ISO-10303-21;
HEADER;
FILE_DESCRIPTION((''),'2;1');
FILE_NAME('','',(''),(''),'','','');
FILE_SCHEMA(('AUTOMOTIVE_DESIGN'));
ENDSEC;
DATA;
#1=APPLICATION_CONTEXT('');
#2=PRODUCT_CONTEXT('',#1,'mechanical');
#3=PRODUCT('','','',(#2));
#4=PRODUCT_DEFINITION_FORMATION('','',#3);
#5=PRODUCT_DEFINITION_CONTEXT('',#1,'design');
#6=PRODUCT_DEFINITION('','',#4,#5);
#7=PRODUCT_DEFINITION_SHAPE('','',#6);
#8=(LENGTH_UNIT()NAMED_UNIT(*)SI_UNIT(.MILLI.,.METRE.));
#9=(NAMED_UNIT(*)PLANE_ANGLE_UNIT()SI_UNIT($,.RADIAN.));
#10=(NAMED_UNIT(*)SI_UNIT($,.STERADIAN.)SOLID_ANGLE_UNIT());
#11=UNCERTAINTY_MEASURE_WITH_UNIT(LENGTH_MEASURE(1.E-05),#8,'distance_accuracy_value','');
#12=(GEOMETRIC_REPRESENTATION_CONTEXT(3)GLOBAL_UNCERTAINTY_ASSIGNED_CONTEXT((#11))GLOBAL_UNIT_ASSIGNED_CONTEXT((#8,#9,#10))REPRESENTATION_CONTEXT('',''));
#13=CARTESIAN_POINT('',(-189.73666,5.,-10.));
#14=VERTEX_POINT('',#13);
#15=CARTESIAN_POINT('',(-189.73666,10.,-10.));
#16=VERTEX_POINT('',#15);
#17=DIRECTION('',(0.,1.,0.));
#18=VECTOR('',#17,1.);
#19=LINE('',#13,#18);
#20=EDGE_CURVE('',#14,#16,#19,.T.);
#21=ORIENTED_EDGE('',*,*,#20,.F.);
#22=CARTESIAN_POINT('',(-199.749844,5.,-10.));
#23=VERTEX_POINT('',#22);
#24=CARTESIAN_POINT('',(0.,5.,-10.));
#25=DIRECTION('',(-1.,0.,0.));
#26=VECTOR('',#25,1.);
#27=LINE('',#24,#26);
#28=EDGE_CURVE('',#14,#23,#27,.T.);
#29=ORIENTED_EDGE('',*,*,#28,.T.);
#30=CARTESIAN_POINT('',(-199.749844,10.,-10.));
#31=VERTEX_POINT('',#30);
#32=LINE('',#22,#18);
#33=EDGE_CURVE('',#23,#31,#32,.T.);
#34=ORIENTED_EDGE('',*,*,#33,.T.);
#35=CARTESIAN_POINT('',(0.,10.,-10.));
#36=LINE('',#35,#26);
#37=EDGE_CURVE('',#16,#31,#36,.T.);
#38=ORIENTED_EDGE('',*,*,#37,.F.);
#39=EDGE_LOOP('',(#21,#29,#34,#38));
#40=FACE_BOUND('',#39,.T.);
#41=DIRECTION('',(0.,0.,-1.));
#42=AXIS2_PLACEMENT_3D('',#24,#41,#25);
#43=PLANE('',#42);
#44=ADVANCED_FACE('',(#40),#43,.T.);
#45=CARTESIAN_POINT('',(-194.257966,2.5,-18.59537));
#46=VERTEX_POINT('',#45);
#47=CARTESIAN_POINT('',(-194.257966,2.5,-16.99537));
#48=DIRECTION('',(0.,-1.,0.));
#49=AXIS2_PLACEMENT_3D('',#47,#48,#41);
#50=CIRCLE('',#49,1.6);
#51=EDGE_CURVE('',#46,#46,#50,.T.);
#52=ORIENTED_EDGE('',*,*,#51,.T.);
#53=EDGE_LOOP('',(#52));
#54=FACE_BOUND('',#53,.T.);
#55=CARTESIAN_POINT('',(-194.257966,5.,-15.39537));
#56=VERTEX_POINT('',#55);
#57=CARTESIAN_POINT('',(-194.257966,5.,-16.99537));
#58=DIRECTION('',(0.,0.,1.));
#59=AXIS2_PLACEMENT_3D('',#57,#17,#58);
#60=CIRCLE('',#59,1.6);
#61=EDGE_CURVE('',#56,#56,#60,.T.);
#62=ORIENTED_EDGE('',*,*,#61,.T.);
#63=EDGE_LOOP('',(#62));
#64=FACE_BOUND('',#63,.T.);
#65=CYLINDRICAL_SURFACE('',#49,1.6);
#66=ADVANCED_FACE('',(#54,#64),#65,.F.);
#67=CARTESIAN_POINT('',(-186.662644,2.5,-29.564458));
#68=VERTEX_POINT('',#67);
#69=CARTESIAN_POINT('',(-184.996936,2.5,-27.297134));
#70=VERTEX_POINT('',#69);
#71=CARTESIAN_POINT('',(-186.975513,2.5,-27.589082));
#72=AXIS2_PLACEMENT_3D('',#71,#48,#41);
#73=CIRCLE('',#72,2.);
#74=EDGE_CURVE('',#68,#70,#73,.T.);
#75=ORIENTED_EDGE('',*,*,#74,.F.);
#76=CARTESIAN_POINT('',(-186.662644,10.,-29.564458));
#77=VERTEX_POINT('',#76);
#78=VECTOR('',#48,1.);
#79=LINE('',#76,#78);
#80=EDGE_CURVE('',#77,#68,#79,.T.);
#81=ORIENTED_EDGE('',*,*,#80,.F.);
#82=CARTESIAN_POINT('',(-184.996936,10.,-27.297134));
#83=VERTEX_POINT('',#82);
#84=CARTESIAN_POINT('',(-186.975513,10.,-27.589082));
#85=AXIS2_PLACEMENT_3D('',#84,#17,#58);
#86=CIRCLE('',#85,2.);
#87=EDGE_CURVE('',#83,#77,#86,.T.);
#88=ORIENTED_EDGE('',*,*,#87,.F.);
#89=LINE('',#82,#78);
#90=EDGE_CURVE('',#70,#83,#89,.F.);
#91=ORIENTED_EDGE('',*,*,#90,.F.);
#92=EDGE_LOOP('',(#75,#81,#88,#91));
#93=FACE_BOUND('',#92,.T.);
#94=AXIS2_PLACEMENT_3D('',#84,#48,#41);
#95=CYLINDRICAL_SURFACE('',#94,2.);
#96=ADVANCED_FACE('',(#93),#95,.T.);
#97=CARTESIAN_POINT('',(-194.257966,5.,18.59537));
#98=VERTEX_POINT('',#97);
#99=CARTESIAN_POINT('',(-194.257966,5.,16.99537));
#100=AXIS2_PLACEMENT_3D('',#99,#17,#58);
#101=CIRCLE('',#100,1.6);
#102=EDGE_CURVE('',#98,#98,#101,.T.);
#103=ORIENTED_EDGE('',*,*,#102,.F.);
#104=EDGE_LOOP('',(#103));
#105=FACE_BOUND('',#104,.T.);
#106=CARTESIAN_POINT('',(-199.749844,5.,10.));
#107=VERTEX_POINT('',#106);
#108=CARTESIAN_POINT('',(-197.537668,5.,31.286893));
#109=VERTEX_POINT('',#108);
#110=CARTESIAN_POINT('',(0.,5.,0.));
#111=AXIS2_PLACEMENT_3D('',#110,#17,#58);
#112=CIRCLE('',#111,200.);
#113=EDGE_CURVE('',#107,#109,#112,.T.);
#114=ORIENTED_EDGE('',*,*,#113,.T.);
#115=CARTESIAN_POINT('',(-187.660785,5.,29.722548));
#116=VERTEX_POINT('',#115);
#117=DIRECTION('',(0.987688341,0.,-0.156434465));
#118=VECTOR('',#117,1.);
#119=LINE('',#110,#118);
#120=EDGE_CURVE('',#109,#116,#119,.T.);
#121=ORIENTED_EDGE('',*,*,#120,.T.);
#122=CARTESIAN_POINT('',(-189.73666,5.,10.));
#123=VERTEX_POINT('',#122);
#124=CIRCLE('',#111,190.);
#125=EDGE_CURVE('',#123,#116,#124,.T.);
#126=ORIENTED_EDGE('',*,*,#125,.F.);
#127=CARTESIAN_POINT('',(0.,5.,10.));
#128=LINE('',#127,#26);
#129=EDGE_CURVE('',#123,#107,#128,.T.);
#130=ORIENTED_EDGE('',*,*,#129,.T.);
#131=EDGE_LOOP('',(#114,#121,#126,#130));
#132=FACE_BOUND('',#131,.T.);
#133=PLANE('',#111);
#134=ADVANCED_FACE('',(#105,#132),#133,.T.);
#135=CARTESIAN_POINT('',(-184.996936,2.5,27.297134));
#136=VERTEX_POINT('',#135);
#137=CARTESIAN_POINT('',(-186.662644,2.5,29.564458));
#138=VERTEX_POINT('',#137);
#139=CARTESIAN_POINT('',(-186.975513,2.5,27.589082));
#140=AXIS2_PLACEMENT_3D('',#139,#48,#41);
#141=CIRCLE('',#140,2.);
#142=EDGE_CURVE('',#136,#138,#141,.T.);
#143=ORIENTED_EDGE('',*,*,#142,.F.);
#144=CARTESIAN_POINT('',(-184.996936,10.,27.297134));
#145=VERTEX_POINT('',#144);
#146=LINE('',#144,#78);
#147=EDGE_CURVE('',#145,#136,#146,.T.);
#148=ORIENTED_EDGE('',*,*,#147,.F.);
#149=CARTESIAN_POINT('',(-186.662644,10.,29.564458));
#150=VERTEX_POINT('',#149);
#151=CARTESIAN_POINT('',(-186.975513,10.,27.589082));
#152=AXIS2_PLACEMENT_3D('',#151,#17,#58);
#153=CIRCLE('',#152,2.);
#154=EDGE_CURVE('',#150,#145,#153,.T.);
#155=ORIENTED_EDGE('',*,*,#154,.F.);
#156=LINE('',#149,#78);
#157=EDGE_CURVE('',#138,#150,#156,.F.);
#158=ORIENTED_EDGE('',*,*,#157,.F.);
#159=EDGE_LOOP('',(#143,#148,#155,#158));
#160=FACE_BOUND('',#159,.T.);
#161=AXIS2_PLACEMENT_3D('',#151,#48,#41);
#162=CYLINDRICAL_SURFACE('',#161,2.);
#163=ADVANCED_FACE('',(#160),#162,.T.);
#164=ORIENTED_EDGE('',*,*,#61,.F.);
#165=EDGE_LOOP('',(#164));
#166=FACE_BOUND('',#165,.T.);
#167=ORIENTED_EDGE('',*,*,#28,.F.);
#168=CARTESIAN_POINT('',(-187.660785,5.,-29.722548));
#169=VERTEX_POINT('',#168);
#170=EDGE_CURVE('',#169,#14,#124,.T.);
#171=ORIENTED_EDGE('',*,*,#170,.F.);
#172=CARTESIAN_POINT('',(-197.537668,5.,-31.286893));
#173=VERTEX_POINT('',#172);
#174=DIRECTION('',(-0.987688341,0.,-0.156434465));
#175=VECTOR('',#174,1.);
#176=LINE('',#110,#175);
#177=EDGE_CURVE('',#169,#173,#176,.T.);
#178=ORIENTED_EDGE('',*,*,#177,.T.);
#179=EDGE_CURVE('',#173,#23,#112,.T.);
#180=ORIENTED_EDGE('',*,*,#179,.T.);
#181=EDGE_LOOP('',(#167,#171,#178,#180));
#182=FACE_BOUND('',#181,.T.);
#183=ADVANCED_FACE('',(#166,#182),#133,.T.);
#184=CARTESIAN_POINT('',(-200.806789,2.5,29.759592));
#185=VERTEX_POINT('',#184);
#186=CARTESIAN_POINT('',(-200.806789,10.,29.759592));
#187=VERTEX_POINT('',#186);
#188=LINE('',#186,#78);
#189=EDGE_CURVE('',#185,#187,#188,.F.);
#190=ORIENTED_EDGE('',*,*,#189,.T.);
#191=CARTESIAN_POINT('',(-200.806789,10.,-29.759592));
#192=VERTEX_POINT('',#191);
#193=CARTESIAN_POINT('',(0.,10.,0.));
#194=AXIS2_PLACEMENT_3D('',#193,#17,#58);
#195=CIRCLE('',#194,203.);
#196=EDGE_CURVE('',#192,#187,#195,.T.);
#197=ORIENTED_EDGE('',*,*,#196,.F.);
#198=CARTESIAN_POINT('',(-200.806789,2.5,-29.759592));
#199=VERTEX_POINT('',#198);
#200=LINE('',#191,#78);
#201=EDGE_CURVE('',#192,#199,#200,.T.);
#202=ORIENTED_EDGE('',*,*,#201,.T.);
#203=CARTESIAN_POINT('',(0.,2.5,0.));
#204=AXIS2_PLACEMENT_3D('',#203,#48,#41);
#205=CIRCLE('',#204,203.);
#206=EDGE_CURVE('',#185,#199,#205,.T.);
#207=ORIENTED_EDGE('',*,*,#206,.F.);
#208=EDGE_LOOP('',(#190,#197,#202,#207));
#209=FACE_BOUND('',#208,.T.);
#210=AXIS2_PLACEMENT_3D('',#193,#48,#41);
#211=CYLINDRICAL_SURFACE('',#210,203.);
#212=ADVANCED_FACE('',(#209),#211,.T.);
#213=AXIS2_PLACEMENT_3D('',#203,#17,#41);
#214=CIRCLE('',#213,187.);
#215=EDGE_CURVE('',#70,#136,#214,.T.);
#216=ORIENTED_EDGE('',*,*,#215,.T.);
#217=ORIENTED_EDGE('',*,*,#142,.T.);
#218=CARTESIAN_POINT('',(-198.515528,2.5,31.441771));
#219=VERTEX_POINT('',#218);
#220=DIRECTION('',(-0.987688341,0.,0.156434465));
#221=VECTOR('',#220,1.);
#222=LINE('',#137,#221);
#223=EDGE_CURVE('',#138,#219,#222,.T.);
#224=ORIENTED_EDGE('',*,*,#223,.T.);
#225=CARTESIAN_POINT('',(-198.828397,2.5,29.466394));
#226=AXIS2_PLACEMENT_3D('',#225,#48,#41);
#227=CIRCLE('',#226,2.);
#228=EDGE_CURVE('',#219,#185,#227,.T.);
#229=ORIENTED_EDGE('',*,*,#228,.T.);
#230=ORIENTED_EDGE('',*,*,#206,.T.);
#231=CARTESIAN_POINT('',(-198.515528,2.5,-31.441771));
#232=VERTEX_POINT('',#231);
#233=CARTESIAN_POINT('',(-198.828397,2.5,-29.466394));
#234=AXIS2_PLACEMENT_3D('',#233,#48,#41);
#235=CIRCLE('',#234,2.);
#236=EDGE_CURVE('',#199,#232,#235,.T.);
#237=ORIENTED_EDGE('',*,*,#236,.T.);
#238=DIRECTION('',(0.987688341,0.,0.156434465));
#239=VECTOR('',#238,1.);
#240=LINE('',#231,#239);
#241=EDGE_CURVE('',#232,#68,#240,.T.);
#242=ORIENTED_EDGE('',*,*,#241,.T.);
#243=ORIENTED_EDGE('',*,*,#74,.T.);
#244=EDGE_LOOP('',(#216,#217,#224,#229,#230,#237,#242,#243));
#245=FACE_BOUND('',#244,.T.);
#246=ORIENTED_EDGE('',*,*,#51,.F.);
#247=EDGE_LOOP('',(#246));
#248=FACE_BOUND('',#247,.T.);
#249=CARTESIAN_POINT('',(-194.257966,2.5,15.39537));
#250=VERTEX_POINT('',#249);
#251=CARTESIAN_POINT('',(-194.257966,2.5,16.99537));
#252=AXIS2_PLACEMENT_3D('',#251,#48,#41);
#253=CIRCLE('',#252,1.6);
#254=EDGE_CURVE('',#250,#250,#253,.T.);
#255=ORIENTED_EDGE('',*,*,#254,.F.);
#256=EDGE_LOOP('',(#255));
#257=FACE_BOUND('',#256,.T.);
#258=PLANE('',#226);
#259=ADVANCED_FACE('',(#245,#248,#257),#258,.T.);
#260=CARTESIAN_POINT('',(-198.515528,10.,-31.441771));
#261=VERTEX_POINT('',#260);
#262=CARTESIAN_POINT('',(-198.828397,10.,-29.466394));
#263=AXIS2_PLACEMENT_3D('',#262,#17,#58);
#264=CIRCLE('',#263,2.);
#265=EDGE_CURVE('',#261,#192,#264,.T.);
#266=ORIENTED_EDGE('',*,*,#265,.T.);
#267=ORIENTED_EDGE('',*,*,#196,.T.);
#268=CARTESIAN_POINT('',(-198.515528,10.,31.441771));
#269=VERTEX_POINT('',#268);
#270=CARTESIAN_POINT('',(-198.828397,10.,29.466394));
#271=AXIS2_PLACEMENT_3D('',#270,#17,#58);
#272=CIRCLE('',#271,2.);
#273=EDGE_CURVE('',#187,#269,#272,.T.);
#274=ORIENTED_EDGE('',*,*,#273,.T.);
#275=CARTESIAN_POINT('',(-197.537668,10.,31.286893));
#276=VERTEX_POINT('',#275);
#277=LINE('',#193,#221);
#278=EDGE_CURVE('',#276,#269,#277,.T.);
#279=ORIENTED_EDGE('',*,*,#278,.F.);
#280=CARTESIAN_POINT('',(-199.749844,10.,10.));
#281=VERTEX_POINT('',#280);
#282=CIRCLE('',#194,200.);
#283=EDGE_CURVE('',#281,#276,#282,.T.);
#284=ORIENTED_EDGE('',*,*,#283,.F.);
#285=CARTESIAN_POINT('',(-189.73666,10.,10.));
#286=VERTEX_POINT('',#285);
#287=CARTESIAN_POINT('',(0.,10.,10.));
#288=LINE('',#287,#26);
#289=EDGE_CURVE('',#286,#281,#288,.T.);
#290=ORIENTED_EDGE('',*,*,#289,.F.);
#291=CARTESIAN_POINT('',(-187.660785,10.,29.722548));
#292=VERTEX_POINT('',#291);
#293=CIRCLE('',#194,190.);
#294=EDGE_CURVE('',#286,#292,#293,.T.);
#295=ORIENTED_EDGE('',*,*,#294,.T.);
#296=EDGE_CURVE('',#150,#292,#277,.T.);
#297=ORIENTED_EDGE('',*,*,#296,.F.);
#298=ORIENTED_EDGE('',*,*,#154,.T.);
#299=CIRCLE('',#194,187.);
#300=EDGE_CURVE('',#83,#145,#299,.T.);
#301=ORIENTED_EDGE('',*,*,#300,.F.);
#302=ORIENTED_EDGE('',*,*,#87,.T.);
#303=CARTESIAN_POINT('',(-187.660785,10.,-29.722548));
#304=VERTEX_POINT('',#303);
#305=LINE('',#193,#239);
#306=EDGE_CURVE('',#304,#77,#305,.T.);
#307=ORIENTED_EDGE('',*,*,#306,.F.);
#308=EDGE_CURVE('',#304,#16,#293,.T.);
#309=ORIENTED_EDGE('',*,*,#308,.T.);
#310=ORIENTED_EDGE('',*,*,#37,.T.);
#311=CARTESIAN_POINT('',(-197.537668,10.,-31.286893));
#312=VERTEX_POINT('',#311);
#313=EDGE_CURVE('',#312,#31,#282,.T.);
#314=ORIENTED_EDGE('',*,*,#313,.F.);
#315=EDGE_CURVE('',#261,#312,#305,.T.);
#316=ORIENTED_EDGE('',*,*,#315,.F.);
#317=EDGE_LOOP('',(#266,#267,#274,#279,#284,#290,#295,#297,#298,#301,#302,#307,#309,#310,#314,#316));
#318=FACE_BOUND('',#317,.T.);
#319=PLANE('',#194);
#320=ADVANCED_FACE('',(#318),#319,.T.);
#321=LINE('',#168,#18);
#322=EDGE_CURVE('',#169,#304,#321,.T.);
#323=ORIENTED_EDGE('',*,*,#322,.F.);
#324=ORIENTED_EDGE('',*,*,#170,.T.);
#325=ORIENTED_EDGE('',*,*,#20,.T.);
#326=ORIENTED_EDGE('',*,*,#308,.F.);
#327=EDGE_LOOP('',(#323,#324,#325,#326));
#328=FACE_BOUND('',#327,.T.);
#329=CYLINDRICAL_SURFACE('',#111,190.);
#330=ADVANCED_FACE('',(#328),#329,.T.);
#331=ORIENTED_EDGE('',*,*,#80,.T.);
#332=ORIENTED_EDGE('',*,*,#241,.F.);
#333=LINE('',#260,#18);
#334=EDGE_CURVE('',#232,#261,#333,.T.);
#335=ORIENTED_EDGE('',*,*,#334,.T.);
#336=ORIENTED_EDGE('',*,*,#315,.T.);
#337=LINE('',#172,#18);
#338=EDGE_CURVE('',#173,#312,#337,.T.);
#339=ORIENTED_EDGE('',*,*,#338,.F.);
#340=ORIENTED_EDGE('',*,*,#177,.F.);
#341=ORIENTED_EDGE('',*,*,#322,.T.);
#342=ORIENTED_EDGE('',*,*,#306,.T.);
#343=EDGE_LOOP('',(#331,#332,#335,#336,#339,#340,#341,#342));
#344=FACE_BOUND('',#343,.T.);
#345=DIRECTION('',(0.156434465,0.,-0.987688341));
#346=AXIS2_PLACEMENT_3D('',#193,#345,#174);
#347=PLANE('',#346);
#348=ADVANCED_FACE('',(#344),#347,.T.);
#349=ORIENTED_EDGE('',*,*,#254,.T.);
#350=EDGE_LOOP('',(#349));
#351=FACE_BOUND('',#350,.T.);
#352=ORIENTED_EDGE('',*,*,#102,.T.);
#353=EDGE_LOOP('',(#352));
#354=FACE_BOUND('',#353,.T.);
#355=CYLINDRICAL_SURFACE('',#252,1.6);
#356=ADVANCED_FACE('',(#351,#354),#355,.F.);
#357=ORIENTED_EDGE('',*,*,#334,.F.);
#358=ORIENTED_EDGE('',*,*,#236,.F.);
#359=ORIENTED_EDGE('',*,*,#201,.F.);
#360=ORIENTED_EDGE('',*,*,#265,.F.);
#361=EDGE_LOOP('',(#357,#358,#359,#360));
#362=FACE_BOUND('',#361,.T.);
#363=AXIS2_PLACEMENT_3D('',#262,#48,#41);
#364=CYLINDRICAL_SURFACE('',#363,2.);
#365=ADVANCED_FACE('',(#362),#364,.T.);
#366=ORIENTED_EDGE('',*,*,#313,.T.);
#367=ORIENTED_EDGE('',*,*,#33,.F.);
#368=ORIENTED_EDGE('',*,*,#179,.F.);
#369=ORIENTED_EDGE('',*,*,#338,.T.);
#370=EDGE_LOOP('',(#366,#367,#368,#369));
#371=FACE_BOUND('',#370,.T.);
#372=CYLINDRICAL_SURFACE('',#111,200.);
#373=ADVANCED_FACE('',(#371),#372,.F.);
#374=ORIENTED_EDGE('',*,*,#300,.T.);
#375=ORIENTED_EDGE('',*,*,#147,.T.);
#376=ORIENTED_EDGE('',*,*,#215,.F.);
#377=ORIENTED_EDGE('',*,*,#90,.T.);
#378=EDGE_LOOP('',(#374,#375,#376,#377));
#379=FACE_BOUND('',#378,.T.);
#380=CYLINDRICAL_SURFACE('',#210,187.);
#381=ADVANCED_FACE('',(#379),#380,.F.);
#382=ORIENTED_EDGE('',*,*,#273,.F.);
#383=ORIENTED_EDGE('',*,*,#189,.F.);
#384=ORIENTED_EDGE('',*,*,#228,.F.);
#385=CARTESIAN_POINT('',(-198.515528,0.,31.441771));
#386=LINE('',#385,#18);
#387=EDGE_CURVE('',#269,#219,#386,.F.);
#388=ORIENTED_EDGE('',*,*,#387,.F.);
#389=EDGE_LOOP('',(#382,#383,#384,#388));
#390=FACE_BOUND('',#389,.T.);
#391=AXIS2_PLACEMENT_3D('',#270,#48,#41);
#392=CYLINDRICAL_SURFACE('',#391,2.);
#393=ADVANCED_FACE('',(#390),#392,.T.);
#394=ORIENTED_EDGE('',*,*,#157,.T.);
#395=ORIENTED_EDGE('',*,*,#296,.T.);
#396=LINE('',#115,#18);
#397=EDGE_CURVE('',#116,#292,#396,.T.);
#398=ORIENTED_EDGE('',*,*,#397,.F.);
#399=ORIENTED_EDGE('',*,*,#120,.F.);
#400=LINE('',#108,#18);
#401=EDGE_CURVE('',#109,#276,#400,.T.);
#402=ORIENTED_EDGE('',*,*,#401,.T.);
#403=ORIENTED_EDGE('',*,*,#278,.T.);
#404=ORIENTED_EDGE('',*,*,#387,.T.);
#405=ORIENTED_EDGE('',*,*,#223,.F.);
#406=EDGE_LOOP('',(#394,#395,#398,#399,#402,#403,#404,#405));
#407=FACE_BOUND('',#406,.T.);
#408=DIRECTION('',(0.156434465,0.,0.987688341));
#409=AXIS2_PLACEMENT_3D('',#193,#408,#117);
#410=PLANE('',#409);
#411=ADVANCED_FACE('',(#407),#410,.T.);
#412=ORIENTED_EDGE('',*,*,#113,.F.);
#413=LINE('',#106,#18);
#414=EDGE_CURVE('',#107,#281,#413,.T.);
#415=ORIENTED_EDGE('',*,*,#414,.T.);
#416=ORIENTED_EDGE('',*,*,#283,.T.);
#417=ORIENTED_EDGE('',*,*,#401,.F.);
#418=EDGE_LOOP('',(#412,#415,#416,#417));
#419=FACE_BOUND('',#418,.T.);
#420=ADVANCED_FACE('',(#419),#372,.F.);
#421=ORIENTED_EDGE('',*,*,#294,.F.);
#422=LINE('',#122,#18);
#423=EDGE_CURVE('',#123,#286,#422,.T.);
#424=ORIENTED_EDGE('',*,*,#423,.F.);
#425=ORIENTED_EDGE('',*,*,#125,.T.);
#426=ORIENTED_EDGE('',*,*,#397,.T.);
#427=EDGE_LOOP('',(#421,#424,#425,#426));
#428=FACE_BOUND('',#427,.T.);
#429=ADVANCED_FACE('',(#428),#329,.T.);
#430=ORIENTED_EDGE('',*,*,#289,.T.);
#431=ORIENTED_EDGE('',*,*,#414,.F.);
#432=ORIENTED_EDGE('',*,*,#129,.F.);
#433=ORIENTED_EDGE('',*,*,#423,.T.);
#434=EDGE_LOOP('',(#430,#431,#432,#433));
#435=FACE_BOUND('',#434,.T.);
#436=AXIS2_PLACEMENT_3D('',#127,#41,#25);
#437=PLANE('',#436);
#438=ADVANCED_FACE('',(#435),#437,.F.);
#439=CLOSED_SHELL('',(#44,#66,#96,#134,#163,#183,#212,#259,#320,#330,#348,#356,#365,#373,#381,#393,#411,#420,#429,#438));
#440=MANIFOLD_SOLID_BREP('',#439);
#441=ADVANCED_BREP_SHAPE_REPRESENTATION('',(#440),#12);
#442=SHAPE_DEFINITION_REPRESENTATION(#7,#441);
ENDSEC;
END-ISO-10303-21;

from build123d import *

# Parameters (mm, degrees)
BOSS_EXTRUDE1_DEPTH        = 10
CUT_EXTRUDE1_DEPTH         = 5
FILLET1_R                  = 2
CUT_EXTRUDE2_START         = -2.5
CUT_EXTRUDE2_DEPTH         = 2.5
F_3_2_3_2_DIAMETER_HOLE1_D = 3.2


with BuildPart() as part:
    # Sketch1 → Boss-Extrude1 (new body)
    with BuildSketch(Plane(origin=(0, 0, 0), x_dir=(1, 0, 0), z_dir=(0, 1, 0))):
        with BuildLine():
            ThreePointArc((-187.660784713, 29.722548358), (-190, 0), (-187.660784713, -29.722548358))
            Line((-187.660784713, -29.722548358), (-197.537668119, -31.286893008))
            ThreePointArc((-197.537668119, -31.286893008), (-200, 0), (-197.537668119, 31.286893008))
            Line((-197.537668119, 31.286893008), (-187.660784713, 29.722548358))
        make_face()
        with BuildLine():
            ThreePointArc((-197.537668119, -31.286893008), (-200, 0), (-197.537668119, 31.286893008))
            Line((-197.537668119, 31.286893008), (-200.500733141, 31.756196403))
            ThreePointArc((-200.500733141, 31.756196403), (-203, 0), (-200.500733141, -31.756196403))
            Line((-200.500733141, -31.756196403), (-197.537668119, -31.286893008))
        make_face()
        with BuildLine():
            Line((-184.697719691, 29.253244963), (-187.660784713, 29.722548358))
            ThreePointArc((-187.660784713, 29.722548358), (-190, 0), (-187.660784713, -29.722548358))
            Line((-187.660784713, -29.722548358), (-184.697719691, -29.253244963))
            ThreePointArc((-184.697719691, -29.253244963), (-187, 0), (-184.697719691, 29.253244963))
        make_face()
    extrude(amount=BOSS_EXTRUDE1_DEPTH)

    # Sketch15 → Cut-Extrude1 (cut)
    with BuildSketch(Plane(origin=(0, 10, 0), x_dir=(1, 0, 0), z_dir=(0, 1, 0))):
        with BuildLine():
            Line((-199.749843554, 10), (-189.73665961, 10))
            ThreePointArc((-189.73665961, 10), (-188.956218405, 19.88837666), (-187.660784713, 29.722548358))
            Line((-187.660784713, 29.722548358), (-197.537668119, 31.286893008))
            ThreePointArc((-197.537668119, 31.286893008), (-198.928692466, 20.673057674), (-199.749843554, 10))
        make_face()
        with BuildLine():
            ThreePointArc((-187.660784713, -29.722548358), (-188.956218405, -19.88837666), (-189.73665961, -10))
            Line((-189.73665961, -10), (-199.749843554, -10))
            ThreePointArc((-199.749843554, -10), (-198.928692466, -20.673057674), (-197.537668119, -31.286893008))
            Line((-197.537668119, -31.286893008), (-187.660784713, -29.722548358))
        make_face()
    extrude(amount=-CUT_EXTRUDE1_DEPTH, mode=Mode.SUBTRACT)

    # Fillet1
    fillet1_edges = [part.edges().sort_by_distance(p)[0] for p in [
        (-200.500733141, 5, 31.756196403),
        (-200.500733141, 5, -31.756196403),
        (-184.697719691, 5, -29.253244963),
        (-184.697719691, 5, 29.253244963),
    ]]
    fillet(fillet1_edges, radius=FILLET1_R)

    # Sketch19 → Cut-Extrude2 (cut)
    with BuildSketch(Plane.XZ.offset(CUT_EXTRUDE2_START)):
        with BuildLine():
            Line((-198.515528472, -31.441770873), (-186.662644351, -29.564458455))
            ThreePointArc((-186.662644351, -29.564458455), (-185.363721979, -28.773196969), (-184.996936421, -27.297133819))
            ThreePointArc((-184.996936421, -27.297133819), (-187, 0), (-184.996936421, 27.297133819))
            ThreePointArc((-184.996936421, 27.297133819), (-185.363721979, 28.773196969), (-186.662644351, 29.564458455))
            Line((-186.662644351, 29.564458455), (-198.515528472, 31.441770873))
            ThreePointArc((-198.515528472, 31.441770873), (-200.012003377, 31.078559473), (-200.806789416, 29.759592144))
            ThreePointArc((-200.806789416, 29.759592144), (-203, 0), (-200.806789416, -29.759592144))
            ThreePointArc((-200.806789416, -29.759592144), (-200.012003377, -31.078559473), (-198.515528472, -31.441770873))
        make_face()
    extrude(amount=CUT_EXTRUDE2_DEPTH, mode=Mode.SUBTRACT)

    # Ø3.2 (3.2) Diameter Hole1 (through all)
    with Locations(Plane(origin=(0, 2.5, 0), x_dir=(-1, 0, 0), z_dir=(0, -1, 0))):
        with Locations((194.257966128, 16.995369836), (194.257966128, -16.995369836)):
            Hole(F_3_2_3_2_DIAMETER_HOLE1_D / 2)


solid = part.part
